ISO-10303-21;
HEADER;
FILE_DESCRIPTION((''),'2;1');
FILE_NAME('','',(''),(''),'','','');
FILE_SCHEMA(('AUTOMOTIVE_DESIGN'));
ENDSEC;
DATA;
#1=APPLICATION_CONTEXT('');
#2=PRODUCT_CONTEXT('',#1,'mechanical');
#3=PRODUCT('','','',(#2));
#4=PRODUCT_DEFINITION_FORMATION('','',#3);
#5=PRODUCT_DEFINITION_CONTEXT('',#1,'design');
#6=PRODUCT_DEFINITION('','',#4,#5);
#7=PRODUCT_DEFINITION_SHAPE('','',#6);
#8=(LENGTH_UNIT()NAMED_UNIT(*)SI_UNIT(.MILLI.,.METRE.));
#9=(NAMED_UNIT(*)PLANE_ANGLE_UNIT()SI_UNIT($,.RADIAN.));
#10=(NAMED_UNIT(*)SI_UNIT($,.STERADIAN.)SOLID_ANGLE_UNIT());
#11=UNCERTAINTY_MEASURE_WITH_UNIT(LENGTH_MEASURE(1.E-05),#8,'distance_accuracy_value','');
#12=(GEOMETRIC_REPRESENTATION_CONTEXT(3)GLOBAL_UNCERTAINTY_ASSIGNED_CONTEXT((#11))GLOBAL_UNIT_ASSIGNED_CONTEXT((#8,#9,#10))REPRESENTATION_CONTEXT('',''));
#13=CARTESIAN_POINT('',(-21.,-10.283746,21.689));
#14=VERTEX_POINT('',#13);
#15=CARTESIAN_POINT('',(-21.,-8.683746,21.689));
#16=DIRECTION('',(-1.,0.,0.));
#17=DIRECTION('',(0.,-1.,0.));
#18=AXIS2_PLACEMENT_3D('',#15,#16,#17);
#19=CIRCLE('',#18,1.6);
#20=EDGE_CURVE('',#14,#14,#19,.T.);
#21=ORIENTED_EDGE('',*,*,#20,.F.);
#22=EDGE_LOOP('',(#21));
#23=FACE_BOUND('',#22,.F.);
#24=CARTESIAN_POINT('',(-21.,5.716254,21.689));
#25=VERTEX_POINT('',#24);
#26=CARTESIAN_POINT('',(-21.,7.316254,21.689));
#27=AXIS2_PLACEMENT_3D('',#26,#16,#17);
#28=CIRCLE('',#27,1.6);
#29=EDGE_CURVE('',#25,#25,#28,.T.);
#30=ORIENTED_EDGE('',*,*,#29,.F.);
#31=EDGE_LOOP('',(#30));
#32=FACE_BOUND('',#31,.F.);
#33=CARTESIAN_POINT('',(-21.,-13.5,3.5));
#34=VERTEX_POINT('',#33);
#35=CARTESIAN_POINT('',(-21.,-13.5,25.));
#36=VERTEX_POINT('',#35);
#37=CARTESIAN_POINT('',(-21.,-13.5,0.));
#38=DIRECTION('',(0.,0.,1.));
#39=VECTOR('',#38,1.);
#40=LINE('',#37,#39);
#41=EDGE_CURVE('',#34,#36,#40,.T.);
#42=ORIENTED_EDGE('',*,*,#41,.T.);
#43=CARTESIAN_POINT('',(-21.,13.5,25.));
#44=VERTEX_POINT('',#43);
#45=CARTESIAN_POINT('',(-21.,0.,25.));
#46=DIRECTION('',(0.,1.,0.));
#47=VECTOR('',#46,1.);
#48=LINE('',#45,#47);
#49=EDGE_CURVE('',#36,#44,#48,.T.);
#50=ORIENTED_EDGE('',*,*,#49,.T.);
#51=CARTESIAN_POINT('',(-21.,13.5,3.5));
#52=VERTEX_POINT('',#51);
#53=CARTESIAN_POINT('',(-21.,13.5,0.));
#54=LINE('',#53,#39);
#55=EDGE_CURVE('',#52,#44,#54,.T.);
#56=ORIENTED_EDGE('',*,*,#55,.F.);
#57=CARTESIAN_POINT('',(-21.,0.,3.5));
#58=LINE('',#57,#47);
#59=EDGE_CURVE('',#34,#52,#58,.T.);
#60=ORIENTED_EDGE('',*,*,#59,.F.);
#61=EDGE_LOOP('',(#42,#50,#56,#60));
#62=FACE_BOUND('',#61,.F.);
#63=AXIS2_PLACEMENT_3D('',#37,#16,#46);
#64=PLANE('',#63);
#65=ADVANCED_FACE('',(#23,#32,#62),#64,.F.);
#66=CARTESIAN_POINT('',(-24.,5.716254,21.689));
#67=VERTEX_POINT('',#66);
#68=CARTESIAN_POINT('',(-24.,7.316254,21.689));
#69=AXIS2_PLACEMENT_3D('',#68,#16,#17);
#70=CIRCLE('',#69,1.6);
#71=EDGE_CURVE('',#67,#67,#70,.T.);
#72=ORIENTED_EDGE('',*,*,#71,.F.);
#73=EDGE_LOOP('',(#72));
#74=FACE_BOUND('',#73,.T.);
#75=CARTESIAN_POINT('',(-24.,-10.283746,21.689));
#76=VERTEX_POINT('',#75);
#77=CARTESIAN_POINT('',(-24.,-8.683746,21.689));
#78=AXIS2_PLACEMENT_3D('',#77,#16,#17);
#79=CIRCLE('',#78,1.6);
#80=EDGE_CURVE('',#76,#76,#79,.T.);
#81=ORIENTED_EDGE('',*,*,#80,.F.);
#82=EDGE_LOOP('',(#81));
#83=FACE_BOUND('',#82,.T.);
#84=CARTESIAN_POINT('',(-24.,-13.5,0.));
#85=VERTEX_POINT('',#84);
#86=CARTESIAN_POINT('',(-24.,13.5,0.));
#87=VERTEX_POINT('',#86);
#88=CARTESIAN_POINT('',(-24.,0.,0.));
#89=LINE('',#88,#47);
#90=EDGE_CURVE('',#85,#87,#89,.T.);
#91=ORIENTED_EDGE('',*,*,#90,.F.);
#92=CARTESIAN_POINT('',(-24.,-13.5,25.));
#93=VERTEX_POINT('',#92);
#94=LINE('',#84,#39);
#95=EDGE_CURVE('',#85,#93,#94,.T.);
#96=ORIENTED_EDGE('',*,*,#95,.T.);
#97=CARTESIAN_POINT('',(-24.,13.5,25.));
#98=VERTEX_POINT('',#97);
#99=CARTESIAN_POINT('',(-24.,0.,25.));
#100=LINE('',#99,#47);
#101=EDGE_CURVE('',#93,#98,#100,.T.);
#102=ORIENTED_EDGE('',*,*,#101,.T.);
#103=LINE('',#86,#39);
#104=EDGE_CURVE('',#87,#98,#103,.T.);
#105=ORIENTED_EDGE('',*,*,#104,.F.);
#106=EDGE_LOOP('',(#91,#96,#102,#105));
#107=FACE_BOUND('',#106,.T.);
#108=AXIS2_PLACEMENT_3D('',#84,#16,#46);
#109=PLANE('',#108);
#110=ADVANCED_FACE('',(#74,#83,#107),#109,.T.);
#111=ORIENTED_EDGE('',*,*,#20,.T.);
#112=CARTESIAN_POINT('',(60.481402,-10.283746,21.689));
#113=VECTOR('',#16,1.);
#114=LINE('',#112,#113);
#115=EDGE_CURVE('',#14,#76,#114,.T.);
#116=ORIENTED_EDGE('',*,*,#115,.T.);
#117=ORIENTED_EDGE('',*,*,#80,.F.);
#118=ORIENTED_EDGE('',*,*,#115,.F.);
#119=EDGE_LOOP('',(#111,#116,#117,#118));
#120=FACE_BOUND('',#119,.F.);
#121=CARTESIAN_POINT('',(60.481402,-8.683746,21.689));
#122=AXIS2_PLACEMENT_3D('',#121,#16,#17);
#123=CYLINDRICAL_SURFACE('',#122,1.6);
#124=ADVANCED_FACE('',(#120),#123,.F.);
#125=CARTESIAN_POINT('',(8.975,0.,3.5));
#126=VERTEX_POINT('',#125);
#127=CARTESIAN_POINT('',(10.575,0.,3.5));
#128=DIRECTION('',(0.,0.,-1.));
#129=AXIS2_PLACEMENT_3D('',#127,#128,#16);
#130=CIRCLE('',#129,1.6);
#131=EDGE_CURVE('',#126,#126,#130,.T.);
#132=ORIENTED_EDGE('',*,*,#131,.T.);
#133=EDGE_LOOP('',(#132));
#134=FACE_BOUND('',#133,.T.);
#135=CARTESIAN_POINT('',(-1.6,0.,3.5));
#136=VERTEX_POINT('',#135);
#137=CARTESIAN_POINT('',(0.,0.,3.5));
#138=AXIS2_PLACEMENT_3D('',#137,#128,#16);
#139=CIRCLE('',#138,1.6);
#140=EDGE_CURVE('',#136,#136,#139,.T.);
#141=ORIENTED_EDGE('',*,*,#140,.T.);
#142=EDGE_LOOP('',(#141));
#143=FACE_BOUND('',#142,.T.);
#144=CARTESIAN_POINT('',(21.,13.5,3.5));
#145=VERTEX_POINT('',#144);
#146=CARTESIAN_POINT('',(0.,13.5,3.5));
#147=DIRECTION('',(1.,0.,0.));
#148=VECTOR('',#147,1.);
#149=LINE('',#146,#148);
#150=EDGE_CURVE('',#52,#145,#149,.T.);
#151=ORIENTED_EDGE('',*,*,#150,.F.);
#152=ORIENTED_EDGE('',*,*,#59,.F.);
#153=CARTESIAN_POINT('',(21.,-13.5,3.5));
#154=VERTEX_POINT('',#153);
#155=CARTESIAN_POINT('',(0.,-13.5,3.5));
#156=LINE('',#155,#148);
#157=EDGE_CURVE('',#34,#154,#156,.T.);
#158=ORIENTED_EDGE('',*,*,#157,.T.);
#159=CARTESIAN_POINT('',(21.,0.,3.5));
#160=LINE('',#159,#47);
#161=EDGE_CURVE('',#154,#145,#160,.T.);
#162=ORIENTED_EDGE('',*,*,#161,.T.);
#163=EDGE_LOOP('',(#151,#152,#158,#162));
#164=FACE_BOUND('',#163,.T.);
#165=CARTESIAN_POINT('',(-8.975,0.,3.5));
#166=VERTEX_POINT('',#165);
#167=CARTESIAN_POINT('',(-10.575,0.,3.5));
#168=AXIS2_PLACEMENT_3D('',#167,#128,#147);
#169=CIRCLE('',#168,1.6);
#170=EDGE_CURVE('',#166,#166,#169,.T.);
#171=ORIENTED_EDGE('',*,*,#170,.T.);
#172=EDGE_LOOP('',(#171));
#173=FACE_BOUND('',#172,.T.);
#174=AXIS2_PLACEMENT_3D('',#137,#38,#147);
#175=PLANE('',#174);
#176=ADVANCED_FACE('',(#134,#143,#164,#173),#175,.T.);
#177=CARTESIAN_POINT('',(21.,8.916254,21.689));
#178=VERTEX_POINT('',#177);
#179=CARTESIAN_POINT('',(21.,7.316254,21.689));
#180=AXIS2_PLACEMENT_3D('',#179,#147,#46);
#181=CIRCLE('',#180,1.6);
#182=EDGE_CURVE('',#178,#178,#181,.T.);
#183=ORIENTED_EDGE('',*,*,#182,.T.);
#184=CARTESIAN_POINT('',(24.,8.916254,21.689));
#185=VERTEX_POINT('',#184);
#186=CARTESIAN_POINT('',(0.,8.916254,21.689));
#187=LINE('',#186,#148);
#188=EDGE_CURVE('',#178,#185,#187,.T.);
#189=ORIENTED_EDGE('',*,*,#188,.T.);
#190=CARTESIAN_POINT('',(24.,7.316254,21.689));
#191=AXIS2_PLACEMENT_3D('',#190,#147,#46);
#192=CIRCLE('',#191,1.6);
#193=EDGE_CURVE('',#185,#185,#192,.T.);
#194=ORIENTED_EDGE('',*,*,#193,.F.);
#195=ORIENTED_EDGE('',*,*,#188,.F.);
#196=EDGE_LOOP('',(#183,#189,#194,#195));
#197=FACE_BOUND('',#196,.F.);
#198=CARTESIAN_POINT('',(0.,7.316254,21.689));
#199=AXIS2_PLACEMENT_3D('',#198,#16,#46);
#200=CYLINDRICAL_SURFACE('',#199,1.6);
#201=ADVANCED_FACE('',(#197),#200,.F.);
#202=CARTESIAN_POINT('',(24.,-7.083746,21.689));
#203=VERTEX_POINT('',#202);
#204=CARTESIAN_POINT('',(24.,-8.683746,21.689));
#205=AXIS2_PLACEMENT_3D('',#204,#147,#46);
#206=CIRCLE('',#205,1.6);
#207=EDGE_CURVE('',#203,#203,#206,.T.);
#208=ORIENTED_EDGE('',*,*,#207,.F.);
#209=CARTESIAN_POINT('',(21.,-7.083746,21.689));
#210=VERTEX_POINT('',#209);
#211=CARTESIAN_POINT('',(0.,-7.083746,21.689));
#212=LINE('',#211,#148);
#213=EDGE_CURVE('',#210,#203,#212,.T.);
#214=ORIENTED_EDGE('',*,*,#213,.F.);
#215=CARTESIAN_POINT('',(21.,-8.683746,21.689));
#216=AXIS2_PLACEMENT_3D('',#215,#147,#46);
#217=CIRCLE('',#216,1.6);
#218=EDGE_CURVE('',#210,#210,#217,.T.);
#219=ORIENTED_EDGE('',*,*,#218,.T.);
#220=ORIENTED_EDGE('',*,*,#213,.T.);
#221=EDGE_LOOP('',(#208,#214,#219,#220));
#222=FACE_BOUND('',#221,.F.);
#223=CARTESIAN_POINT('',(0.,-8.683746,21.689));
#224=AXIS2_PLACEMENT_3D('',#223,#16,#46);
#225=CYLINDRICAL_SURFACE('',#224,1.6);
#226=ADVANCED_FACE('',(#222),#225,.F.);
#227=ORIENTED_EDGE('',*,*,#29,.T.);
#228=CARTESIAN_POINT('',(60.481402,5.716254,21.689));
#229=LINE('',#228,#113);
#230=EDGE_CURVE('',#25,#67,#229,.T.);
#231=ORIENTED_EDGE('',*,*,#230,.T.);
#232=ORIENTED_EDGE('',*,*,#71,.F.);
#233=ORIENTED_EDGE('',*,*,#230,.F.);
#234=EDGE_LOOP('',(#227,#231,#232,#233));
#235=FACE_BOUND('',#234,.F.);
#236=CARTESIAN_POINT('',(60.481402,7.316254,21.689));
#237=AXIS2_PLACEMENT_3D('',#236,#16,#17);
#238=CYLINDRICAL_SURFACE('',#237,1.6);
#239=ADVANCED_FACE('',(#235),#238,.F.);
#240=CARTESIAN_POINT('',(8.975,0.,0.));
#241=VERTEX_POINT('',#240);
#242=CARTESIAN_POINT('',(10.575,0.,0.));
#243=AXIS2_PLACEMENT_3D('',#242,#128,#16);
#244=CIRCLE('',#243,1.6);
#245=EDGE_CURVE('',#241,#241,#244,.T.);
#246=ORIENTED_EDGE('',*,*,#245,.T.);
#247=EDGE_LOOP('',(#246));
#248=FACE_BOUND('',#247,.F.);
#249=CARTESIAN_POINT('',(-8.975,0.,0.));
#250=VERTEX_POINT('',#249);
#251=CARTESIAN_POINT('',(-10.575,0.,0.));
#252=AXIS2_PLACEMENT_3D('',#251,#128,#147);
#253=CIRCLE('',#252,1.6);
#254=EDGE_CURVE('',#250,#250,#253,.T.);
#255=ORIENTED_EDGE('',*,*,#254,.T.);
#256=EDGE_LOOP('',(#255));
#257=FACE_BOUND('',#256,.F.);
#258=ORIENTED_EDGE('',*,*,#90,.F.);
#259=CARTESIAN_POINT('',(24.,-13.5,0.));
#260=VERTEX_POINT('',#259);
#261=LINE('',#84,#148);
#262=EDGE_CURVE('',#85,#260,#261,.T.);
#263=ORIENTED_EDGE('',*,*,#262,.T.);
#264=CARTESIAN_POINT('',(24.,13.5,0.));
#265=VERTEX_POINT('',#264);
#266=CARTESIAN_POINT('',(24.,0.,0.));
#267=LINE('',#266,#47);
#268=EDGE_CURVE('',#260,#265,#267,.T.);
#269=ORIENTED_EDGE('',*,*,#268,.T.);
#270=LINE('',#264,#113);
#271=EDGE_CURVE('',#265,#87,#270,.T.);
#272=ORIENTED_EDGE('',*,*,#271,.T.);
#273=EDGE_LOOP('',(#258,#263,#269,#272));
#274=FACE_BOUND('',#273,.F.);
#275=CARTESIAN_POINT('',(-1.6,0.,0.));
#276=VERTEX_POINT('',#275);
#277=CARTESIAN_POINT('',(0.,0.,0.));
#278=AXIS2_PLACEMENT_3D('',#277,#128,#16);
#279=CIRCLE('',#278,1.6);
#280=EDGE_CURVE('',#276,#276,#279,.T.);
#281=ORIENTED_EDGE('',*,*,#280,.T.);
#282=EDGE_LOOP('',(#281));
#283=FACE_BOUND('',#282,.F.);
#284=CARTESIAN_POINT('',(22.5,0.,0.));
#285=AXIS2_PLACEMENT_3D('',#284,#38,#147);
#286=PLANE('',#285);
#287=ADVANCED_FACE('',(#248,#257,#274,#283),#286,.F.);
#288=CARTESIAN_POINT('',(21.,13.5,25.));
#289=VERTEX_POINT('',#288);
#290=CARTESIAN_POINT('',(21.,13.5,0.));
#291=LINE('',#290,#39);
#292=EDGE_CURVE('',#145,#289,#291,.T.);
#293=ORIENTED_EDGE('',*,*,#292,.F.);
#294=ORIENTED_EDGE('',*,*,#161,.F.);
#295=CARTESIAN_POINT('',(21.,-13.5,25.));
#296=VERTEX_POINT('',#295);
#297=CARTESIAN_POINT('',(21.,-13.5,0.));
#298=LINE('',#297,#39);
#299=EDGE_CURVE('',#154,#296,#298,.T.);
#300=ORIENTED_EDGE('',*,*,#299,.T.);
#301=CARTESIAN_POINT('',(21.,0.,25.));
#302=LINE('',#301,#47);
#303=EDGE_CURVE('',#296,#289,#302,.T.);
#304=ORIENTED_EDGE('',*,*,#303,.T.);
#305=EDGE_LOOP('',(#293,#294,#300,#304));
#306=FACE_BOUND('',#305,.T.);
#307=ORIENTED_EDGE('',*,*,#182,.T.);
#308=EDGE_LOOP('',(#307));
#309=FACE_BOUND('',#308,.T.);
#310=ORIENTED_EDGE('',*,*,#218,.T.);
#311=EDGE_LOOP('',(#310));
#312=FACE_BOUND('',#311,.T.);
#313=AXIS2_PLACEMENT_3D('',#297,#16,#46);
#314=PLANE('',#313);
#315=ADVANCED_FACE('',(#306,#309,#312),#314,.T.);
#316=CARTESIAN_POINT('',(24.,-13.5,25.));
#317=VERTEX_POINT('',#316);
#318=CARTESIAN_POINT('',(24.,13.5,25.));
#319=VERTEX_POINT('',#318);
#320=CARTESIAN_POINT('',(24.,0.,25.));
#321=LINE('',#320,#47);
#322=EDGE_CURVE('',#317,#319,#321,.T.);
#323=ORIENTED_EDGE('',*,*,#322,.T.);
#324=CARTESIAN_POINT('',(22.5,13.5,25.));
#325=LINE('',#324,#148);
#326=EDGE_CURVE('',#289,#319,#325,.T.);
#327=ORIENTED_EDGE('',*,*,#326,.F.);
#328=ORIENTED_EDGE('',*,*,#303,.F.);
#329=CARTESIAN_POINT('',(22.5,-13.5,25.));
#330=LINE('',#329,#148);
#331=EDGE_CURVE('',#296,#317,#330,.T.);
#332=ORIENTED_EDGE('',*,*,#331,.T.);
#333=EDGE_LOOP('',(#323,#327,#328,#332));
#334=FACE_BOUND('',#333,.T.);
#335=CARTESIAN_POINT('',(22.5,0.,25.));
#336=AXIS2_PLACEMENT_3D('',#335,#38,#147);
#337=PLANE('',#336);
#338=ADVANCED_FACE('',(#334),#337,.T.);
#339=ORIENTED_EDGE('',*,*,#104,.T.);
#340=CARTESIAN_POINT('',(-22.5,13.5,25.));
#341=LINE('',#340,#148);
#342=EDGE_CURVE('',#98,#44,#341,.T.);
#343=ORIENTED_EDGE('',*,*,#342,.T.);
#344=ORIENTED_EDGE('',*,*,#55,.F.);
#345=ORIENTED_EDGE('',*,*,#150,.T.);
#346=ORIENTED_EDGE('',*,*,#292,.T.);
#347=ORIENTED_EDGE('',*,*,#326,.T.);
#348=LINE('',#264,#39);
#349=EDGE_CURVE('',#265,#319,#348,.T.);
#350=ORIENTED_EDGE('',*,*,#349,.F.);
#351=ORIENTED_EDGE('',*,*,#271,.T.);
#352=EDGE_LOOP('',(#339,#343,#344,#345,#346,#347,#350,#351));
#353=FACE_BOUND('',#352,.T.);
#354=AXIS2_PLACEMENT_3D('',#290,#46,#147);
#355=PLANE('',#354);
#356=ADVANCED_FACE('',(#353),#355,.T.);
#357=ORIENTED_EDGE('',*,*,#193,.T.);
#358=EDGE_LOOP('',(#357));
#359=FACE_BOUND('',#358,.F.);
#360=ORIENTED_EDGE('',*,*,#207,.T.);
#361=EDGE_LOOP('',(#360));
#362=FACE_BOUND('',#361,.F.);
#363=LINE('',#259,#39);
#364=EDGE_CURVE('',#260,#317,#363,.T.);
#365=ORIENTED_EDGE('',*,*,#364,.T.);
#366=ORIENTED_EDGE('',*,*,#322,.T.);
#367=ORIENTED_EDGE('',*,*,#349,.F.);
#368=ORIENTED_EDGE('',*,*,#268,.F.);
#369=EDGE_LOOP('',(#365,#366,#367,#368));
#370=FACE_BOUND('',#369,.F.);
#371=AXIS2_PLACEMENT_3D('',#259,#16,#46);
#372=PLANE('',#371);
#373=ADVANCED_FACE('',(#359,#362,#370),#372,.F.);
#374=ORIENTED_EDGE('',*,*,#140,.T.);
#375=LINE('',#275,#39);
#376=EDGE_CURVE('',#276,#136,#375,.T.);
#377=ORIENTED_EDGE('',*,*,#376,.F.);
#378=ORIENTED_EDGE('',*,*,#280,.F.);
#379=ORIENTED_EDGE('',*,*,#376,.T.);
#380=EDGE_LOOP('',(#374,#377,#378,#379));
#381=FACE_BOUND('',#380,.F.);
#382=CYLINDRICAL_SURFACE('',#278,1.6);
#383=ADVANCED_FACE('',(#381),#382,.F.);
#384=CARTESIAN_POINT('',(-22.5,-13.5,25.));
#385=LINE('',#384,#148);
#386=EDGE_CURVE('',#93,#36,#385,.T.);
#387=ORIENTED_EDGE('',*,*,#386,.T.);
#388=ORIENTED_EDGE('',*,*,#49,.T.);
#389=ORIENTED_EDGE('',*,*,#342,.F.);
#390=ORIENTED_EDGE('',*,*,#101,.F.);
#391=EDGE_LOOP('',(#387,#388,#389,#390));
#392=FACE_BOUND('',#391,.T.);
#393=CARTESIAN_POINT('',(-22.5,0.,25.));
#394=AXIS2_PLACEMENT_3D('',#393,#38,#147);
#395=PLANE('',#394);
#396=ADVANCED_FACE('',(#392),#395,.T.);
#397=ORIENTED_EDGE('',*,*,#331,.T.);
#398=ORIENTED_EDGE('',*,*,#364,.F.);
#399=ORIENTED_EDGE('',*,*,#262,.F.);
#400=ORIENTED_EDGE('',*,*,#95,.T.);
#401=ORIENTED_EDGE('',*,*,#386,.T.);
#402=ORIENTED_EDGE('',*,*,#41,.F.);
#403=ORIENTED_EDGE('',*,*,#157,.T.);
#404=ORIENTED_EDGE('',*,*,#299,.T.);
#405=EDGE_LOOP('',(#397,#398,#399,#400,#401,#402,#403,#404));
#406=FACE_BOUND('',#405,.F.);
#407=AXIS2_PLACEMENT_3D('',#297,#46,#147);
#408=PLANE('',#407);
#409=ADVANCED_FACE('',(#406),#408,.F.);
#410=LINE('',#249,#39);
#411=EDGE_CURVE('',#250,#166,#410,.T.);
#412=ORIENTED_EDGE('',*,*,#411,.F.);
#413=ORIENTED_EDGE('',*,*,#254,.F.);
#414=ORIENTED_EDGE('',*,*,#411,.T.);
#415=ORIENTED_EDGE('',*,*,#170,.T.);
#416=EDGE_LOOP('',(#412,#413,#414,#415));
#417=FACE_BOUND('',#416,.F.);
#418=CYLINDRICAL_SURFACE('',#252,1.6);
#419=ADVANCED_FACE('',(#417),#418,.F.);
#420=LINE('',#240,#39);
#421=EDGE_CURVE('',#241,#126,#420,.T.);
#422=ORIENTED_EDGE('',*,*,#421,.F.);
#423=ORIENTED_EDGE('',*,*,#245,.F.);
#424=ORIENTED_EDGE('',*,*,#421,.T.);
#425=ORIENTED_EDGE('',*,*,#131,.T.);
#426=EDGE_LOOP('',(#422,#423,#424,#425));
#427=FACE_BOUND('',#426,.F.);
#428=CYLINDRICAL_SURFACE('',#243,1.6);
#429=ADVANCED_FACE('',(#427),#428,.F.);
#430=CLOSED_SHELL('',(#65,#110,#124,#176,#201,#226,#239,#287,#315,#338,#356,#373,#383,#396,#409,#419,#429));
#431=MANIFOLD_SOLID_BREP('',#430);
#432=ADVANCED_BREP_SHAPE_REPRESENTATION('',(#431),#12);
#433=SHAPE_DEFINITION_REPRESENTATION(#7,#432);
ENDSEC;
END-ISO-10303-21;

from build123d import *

# Parameters (mm, degrees)
F0_W     = 42
F0_H     = 27
F2_DEPTH = 3.5
F0_W_2   = 3
F3_DEPTH = 25
F4_DEPTH = 25
F5_D     = 3.2
F5_DEPTH = 24.001
F6_D     = 3.2
F6_DEPTH = 24.001
F7_D     = 3.2


with BuildPart() as f2:
    # F0 (on Top) → F2 (new body)
    with BuildSketch(Plane.XY):
        Rectangle(F0_W, F0_H)
        with BuildLine():
            ThreePointArc((-12.175, 0), (-10.575, 1.6), (-8.975, 0))
            ThreePointArc((-8.975, 0), (-10.575, -1.6), (-12.175, 0))
        make_face(mode=Mode.SUBTRACT)
        with BuildLine():
            ThreePointArc((1.6, 0), (0, -1.6), (-1.6, 0))
            ThreePointArc((-1.6, 0), (0, 1.6), (1.6, 0))
        make_face(mode=Mode.SUBTRACT)
        with BuildLine():
            ThreePointArc((12.175, 0), (10.575, -1.6), (8.975, 0))
            ThreePointArc((8.975, 0), (10.575, 1.6), (12.175, 0))
        make_face(mode=Mode.SUBTRACT)
    extrude(amount=F2_DEPTH)

    # F0 (on Top) → F3 (join)
    with BuildSketch(Plane.XY):
        with Locations((-22.5, 0)):
            Rectangle(F0_W_2, F0_H)
    extrude(amount=F3_DEPTH)

    # F0 (on Top) → F4 (join)
    with BuildSketch(Plane.XY):
        with Locations((22.5, 0)):
            Rectangle(F0_W_2, F0_H)
    extrude(amount=F4_DEPTH)

    # F5 (through all, one way)
    with BuildSketch(Plane(origin=(0, 0, 0), x_dir=(0, 1, 0), z_dir=(-1, 0, 0))):
        with Locations((-8.6837460197, -21.689)):
            Circle(F5_D / 2)
    extrude(amount=-F5_DEPTH, mode=Mode.SUBTRACT)

    # F6 (through all, one way)
    with BuildSketch(Plane(origin=(0, 0, 0), x_dir=(0, 1, 0), z_dir=(-1, 0, 0))):
        with Locations((7.3162539803, -21.689)):
            Circle(F6_D / 2)
    extrude(amount=-F6_DEPTH, mode=Mode.SUBTRACT)

    # F7 (through all)
    with Locations(Plane.YZ):
        with Locations((-8.6837460197, 21.689), (7.3162539803, 21.689)):
            Hole(F7_D / 2)


solid = f2.part
